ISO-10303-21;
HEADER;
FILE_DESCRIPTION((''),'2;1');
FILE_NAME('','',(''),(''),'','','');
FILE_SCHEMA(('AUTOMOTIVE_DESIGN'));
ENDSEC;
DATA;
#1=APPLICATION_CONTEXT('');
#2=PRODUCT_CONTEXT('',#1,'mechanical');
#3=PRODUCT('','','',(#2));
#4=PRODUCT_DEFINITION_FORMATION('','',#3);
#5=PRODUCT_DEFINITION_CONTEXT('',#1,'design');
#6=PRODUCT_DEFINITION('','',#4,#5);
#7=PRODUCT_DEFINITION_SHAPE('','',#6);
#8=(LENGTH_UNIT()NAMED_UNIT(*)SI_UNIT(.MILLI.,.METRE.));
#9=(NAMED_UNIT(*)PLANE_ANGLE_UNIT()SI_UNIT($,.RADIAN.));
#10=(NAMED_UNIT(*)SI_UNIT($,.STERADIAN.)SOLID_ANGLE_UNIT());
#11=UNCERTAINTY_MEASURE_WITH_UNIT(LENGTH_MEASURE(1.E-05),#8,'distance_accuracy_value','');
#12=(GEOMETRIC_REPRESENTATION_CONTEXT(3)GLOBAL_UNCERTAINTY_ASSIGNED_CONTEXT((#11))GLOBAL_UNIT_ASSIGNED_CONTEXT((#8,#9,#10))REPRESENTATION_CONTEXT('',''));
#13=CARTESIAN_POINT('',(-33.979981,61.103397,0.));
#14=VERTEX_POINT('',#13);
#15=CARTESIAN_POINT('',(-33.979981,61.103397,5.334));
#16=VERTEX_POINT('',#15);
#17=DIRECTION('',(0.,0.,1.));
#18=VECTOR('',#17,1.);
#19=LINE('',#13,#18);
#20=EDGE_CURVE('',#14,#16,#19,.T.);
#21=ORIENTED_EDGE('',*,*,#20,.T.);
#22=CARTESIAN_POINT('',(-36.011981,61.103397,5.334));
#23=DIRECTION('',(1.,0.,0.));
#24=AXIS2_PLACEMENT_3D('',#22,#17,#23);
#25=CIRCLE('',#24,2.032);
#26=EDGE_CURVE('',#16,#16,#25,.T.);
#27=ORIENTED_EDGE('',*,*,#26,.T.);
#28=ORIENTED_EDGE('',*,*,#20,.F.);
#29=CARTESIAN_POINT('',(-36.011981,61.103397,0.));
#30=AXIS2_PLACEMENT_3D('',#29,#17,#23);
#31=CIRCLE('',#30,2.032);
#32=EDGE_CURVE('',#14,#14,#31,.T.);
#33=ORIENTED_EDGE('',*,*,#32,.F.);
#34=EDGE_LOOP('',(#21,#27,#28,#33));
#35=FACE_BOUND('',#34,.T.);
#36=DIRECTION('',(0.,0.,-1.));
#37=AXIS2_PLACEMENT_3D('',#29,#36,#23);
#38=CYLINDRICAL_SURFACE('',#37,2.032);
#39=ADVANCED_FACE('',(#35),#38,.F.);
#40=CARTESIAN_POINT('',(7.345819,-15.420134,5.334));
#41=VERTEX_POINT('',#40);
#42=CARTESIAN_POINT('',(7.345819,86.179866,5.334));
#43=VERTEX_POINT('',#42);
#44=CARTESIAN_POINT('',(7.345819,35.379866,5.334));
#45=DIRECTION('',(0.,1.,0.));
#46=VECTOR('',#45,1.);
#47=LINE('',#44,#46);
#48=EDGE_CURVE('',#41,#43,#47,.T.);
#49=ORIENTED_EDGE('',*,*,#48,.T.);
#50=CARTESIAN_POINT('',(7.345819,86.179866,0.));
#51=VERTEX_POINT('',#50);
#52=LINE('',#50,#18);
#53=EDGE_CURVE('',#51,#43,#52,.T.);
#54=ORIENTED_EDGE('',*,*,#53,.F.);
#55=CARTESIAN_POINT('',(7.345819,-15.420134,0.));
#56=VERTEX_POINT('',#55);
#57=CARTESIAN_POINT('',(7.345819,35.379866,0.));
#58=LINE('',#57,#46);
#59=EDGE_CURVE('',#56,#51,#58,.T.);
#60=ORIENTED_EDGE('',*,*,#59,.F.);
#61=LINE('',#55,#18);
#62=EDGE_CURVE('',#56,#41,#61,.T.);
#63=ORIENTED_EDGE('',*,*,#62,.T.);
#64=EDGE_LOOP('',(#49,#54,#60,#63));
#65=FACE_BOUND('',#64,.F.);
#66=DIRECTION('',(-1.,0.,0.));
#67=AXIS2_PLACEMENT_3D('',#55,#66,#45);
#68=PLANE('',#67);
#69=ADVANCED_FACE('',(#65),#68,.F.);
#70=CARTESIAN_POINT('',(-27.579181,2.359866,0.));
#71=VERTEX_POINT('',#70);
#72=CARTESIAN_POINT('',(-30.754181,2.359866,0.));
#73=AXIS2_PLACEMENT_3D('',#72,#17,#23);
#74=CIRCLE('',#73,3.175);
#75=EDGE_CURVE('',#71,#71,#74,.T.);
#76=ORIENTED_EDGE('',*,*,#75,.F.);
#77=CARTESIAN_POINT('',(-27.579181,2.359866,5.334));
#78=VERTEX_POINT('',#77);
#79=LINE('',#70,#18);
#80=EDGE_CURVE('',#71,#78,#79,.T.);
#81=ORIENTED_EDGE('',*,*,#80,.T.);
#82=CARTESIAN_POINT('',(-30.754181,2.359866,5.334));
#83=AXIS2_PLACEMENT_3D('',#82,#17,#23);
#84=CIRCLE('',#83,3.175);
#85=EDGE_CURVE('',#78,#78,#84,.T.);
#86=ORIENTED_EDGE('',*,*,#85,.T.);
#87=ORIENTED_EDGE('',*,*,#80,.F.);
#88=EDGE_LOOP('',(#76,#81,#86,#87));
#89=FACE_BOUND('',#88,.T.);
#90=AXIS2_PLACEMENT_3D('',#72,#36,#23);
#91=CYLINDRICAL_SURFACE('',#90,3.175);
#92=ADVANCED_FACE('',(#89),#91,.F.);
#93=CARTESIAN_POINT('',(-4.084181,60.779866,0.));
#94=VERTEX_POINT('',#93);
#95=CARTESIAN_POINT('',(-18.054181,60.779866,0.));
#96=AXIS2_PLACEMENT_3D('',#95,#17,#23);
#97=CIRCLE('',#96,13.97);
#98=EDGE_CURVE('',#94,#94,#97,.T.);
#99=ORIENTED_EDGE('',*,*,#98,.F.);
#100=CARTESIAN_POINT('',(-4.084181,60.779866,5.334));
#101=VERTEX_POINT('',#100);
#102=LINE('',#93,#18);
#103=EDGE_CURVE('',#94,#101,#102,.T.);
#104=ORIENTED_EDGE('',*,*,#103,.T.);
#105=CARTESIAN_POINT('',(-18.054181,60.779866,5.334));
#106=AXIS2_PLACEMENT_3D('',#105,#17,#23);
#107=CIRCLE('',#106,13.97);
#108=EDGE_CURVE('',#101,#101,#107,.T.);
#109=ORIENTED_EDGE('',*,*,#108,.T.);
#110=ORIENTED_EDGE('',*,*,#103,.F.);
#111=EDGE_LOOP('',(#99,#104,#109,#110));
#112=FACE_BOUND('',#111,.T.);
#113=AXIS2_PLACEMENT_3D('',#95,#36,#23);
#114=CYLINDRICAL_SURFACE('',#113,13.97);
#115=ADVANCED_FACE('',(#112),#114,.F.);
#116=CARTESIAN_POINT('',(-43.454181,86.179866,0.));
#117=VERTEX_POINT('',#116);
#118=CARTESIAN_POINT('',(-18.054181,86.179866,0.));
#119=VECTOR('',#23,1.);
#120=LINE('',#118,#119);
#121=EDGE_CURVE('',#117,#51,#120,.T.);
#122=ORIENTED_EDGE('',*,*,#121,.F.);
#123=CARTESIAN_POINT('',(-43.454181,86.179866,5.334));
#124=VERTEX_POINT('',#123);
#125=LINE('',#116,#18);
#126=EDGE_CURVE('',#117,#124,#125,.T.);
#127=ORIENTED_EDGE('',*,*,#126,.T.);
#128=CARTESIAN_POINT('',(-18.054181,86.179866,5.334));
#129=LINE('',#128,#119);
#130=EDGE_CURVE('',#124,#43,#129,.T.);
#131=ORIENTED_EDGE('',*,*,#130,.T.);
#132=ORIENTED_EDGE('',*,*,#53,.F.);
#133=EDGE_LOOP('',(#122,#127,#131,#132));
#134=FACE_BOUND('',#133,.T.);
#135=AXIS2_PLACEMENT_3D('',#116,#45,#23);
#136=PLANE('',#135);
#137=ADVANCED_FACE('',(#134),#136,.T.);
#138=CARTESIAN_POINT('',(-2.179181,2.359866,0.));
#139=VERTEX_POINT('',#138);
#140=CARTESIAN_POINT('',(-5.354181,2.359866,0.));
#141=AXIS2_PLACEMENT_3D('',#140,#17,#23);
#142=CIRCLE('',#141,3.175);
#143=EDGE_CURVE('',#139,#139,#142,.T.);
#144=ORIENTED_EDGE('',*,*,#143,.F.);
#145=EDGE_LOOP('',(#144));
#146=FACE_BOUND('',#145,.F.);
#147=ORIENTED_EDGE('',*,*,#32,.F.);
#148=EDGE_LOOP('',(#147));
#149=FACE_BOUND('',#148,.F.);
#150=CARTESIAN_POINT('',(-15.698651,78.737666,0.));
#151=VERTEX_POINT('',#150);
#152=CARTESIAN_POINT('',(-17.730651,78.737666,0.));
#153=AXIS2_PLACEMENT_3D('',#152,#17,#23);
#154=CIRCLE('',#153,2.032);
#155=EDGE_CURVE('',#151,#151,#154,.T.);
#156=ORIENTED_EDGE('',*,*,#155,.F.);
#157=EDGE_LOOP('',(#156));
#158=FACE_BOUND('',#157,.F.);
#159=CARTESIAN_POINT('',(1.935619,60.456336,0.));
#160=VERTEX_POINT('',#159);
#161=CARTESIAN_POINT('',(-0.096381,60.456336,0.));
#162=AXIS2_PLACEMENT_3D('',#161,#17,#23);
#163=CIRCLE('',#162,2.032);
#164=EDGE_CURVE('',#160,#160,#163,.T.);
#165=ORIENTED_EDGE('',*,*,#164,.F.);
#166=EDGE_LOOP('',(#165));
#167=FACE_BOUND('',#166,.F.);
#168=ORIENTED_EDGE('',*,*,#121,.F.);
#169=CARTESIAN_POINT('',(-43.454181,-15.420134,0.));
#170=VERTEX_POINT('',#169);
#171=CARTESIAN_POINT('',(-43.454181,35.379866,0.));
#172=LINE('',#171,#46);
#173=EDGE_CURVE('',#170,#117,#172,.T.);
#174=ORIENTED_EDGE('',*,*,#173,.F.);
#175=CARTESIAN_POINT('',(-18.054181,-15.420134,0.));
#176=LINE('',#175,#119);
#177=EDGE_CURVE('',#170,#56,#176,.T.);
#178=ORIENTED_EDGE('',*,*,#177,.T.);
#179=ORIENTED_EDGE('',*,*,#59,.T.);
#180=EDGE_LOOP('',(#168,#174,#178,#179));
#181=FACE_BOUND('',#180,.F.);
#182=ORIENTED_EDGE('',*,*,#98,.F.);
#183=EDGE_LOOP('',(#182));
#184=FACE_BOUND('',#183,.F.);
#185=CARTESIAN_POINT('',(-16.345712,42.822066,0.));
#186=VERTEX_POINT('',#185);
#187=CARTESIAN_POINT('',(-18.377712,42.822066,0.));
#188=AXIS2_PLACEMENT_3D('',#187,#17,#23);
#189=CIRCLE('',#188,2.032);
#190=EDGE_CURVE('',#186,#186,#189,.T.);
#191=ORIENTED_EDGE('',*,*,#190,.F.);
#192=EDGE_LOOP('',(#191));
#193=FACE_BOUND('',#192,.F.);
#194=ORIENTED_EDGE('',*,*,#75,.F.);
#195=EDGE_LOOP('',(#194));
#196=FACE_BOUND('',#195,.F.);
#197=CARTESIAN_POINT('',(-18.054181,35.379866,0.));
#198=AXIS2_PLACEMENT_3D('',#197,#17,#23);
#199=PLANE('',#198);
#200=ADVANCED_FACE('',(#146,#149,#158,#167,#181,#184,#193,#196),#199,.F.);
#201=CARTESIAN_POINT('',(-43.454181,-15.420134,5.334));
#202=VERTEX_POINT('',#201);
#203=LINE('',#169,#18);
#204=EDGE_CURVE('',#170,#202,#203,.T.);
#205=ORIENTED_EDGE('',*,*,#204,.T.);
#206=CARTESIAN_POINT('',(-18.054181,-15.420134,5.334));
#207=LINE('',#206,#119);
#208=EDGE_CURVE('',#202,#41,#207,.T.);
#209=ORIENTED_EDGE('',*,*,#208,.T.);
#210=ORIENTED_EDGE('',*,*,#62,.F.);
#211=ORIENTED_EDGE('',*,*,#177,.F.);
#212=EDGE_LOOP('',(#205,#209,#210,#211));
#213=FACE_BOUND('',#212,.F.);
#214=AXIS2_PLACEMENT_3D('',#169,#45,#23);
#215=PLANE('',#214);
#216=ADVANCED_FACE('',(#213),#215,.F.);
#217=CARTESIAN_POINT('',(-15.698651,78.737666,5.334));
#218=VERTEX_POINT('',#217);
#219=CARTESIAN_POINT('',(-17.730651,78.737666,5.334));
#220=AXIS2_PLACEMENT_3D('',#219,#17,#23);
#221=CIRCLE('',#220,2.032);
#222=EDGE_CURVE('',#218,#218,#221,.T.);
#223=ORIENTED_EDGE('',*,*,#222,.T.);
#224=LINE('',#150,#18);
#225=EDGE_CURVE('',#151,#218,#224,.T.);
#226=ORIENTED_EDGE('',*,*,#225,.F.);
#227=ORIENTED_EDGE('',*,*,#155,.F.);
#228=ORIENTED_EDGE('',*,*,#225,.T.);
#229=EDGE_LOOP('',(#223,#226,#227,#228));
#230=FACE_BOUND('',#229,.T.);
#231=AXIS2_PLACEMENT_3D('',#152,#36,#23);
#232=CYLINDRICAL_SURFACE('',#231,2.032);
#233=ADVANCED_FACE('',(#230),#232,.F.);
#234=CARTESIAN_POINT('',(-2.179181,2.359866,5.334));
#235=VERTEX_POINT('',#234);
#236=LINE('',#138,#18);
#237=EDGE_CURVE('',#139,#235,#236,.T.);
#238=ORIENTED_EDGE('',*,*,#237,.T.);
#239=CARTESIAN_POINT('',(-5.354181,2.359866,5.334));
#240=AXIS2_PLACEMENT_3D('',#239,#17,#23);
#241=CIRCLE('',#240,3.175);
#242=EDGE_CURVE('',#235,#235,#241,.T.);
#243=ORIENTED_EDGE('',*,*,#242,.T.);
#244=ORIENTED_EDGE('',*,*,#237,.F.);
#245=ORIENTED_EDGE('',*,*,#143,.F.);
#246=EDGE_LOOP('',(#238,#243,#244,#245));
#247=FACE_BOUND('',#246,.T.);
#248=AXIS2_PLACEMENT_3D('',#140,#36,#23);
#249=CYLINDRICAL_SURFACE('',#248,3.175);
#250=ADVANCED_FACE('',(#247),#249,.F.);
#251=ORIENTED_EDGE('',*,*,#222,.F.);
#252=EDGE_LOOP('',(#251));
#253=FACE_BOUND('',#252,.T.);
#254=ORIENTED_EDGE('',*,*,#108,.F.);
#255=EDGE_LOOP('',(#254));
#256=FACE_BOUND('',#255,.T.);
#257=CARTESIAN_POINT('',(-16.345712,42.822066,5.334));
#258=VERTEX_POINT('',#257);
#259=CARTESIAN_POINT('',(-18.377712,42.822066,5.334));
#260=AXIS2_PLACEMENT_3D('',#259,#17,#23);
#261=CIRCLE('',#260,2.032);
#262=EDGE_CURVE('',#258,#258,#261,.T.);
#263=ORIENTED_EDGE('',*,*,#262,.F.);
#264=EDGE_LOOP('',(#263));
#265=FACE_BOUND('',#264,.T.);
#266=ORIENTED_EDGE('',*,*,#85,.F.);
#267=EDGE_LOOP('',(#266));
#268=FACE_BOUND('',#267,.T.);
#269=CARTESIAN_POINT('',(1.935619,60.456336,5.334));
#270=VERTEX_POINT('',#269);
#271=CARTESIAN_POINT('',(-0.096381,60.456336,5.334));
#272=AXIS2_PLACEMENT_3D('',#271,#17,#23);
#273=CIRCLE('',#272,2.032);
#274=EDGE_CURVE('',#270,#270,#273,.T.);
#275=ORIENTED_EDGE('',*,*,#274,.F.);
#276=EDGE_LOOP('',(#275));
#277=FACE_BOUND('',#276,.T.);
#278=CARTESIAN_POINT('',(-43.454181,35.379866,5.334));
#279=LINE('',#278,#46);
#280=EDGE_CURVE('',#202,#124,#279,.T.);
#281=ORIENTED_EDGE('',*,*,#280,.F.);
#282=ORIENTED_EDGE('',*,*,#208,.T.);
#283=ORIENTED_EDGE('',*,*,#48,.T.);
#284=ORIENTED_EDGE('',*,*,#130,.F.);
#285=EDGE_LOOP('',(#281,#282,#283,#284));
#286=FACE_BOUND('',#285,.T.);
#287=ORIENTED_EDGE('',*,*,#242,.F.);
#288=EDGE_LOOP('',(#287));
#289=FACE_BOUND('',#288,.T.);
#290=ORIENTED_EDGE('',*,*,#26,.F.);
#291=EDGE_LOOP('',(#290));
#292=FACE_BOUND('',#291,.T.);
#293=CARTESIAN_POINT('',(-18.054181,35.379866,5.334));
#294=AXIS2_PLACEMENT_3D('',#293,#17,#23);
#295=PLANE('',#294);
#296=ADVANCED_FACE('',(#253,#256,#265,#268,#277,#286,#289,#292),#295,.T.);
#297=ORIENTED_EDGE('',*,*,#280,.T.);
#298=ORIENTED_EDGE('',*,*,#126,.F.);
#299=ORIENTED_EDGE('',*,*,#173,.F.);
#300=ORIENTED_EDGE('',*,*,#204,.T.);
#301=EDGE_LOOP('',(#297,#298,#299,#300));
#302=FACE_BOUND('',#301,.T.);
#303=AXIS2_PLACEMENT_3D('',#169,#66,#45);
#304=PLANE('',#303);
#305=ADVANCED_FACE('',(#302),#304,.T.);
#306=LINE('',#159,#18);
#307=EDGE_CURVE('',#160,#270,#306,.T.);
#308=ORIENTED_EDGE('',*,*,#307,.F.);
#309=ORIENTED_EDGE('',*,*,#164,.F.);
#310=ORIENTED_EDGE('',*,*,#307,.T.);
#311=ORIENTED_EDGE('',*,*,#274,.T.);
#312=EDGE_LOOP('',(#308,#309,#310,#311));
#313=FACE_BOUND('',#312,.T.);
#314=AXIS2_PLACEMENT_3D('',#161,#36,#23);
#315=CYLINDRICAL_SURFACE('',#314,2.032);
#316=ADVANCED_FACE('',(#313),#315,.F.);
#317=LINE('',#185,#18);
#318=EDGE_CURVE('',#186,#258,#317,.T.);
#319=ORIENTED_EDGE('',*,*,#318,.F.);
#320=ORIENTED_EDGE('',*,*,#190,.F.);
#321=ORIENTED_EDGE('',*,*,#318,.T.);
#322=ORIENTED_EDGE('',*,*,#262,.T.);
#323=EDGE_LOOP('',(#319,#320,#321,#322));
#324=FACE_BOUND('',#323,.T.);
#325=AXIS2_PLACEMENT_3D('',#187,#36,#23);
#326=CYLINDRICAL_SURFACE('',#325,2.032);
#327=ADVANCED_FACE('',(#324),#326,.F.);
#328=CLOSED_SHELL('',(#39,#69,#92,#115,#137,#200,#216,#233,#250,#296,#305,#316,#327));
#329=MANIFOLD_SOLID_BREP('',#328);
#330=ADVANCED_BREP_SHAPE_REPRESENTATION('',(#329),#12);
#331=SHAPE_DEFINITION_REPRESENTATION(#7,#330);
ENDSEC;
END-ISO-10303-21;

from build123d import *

# Parameters (mm, degrees)
F0_W     = 50.8
F0_H     = 101.6
F0_R     = 3.175
F0_R_2   = 2.032
F0_R_3   = 13.97
F1_DEPTH = 5.334
F2_R     = 3.175
F3_DEPTH = 25.4


with BuildPart() as f1:
    # F0 (on Top) → F1 (new body)
    with BuildSketch(Plane.XY):
        with Locations((-18.054181, 35.379866)):
            Rectangle(F0_W, F0_H)
        with Locations((-30.754181, 2.359866)):
            Circle(F0_R, mode=Mode.SUBTRACT)
        with Locations((-5.354181, 2.359866)):
            Circle(F0_R, mode=Mode.SUBTRACT)
        with Locations((-18.377712, 42.822066)):
            Circle(F0_R_2, mode=Mode.SUBTRACT)
        with Locations((-36.011981, 61.103397)):
            Circle(F0_R_2, mode=Mode.SUBTRACT)
        with Locations((-18.054181, 60.779866)):
            Circle(F0_R_3, mode=Mode.SUBTRACT)
        with Locations((-0.096381, 60.456336)):
            Circle(F0_R_2, mode=Mode.SUBTRACT)
        with Locations((-17.730651, 78.737666)):
            Circle(F0_R_2, mode=Mode.SUBTRACT)
    extrude(amount=F1_DEPTH)

    # F2 (on face) → F3 (cut)
    with BuildSketch(Plane(origin=(0, 0, 0), x_dir=(1, 0, 0), z_dir=(0, 0, -1))):
        with Locations((-5.354181, -2.359866)):
            Circle(F2_R)
        with Locations((-30.754181, -2.359866)):
            Circle(F2_R)
    extrude(amount=-F3_DEPTH, mode=Mode.SUBTRACT)


solid = f1.part
